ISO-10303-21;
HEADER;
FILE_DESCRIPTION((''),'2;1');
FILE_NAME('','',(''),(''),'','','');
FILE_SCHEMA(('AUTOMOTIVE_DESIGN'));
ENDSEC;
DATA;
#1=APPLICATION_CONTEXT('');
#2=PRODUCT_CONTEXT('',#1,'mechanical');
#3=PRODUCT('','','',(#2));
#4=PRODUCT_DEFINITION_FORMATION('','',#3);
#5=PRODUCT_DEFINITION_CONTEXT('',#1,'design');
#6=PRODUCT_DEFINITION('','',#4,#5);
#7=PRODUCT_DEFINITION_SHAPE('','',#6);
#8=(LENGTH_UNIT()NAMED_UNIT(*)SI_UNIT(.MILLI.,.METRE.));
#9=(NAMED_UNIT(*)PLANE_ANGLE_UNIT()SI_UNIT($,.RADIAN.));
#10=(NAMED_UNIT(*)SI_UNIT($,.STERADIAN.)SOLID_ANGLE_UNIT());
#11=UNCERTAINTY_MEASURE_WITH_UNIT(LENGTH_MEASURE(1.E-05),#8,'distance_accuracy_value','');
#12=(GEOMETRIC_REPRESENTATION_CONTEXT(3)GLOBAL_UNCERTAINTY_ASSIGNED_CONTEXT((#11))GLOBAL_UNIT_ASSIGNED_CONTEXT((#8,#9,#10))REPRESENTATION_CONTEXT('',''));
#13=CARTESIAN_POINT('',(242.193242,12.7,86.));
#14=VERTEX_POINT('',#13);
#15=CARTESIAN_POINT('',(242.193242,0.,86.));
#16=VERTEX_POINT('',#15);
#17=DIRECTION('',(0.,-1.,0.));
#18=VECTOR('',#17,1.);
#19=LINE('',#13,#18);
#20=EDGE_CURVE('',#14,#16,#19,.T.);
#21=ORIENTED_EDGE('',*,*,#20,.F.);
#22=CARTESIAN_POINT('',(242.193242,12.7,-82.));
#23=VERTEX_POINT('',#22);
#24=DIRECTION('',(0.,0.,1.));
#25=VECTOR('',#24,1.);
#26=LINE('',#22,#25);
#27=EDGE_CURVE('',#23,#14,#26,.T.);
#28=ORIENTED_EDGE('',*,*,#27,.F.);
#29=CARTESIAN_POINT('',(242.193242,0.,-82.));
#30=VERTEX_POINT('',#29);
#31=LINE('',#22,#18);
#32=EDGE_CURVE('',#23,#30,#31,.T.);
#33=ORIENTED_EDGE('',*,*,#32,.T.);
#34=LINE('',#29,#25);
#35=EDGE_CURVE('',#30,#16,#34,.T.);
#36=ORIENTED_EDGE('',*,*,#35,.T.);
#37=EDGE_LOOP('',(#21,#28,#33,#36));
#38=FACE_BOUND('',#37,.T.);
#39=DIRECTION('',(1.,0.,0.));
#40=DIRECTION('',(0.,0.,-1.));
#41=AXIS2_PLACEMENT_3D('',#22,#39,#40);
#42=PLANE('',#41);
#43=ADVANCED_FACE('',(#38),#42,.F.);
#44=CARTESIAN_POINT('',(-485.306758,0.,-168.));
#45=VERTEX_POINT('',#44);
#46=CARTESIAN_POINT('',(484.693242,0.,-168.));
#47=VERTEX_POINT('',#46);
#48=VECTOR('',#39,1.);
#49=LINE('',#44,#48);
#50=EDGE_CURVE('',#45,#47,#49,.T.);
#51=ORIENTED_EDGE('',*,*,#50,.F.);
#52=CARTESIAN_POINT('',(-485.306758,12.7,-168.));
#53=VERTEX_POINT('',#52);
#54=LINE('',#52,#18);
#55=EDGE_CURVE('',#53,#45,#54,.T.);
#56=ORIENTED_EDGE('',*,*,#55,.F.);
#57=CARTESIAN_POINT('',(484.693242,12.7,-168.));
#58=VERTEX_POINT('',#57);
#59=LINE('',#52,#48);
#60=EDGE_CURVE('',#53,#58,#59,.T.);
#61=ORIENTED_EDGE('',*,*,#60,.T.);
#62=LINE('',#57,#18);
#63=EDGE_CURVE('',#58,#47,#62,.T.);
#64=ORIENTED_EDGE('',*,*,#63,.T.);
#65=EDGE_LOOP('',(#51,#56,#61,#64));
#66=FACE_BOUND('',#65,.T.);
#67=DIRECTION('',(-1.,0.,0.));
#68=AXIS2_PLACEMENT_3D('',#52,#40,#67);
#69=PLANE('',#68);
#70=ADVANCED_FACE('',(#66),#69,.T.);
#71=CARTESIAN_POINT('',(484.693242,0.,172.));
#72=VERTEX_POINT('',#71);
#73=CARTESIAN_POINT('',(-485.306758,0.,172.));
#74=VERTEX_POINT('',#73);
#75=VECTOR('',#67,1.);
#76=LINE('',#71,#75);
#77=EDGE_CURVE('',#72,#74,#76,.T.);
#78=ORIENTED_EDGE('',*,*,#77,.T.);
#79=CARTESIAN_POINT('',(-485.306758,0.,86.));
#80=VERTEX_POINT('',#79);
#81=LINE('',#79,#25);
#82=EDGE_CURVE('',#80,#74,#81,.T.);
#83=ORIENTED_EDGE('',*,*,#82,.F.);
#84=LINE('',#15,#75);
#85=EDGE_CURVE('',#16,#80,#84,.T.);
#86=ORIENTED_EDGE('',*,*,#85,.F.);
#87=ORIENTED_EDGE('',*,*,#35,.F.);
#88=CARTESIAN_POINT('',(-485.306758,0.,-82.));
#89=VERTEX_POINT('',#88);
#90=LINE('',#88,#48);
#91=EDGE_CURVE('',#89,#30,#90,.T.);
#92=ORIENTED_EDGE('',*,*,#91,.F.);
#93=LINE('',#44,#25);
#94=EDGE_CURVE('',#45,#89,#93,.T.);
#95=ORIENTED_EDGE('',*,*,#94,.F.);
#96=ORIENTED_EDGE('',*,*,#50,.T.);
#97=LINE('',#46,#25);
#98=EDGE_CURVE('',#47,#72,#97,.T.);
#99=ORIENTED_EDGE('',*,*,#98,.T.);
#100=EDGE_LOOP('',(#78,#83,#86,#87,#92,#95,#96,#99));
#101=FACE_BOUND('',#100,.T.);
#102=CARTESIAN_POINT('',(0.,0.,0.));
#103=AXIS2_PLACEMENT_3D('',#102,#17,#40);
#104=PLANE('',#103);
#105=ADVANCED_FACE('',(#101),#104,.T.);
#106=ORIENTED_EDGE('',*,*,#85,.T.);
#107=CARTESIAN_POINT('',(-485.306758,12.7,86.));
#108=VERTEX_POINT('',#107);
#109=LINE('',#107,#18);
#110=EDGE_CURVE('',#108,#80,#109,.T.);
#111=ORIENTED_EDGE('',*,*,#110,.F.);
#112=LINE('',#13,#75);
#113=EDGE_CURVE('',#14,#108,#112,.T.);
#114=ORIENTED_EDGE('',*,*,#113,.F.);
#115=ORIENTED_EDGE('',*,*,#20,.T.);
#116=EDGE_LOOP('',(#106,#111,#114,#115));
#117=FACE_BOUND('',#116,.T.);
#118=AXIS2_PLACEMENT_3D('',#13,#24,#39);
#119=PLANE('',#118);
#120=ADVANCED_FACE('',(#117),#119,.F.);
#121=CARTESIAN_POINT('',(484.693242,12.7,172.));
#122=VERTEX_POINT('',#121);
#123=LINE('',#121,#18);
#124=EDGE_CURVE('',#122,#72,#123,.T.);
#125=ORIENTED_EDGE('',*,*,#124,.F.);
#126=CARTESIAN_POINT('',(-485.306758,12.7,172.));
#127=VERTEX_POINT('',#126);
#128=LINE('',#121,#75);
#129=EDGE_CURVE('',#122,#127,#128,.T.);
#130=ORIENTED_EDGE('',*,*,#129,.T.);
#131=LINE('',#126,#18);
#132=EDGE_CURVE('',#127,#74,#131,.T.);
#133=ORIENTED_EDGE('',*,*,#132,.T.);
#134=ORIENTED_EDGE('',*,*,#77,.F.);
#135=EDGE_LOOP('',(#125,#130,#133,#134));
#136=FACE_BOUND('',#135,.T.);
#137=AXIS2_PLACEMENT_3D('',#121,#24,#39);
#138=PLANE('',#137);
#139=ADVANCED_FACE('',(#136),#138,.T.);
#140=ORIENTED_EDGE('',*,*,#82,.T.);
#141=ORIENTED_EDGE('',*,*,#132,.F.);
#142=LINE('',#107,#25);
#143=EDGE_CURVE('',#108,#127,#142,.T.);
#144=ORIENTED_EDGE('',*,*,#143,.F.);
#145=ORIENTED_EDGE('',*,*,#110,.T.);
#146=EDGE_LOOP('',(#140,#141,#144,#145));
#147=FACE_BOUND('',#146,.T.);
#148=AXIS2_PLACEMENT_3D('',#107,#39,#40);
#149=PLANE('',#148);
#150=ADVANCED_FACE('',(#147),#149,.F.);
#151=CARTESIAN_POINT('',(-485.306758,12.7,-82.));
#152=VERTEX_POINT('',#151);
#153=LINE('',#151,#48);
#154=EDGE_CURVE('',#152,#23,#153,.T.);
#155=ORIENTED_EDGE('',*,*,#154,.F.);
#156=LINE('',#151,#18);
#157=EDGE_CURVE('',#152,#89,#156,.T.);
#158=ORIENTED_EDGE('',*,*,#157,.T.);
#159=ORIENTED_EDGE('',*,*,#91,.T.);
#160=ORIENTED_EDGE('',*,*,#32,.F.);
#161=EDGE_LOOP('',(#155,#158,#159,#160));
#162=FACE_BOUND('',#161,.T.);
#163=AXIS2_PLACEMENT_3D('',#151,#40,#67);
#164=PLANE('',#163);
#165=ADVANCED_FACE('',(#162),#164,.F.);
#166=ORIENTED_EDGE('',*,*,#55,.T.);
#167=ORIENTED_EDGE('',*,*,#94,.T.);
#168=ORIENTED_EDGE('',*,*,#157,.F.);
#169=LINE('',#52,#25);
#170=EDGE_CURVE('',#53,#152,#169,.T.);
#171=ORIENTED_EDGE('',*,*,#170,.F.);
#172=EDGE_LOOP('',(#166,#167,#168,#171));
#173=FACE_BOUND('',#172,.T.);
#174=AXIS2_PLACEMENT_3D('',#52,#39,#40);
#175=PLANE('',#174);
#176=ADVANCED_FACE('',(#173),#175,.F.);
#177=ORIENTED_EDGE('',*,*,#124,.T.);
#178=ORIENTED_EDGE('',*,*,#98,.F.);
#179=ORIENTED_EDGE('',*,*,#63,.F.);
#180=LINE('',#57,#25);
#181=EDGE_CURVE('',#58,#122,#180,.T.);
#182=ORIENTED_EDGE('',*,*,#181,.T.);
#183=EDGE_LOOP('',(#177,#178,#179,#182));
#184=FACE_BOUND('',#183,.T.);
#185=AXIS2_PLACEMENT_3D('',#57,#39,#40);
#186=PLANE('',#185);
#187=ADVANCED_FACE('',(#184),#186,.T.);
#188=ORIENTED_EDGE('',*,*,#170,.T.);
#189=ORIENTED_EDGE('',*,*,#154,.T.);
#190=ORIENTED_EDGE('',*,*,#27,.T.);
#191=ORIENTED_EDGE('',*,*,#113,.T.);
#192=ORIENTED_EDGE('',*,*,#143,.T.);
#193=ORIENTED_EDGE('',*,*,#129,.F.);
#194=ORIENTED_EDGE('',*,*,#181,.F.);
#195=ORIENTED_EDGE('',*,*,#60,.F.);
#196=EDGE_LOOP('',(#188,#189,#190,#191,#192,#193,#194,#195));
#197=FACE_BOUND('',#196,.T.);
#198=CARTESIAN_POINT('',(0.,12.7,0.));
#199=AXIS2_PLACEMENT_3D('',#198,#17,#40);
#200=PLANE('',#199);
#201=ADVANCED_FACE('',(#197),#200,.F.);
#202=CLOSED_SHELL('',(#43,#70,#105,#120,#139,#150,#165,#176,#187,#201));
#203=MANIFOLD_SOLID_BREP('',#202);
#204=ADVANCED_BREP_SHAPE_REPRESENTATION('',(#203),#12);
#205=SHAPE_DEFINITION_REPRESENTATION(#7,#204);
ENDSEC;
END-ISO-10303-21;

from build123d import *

# Parameters (mm, degrees)
BOSS_EXTRUDE1_DEPTH = 12.7


with BuildPart() as part:
    # Sketch1 → Boss-Extrude1 (new body)
    with BuildSketch(Plane(origin=(0, 0, 0), x_dir=(1, 0, 0), z_dir=(0, 1, 0))):
        Polygon((-485.306758019, 168), (484.693241981, 168), (484.693241981, -172), (-485.306758019, -172), (-485.306758019, -86), (242.193241981, -86), (242.193241981, 82), (-485.306758019, 82), align=None)
    extrude(amount=BOSS_EXTRUDE1_DEPTH)


solid = part.part
